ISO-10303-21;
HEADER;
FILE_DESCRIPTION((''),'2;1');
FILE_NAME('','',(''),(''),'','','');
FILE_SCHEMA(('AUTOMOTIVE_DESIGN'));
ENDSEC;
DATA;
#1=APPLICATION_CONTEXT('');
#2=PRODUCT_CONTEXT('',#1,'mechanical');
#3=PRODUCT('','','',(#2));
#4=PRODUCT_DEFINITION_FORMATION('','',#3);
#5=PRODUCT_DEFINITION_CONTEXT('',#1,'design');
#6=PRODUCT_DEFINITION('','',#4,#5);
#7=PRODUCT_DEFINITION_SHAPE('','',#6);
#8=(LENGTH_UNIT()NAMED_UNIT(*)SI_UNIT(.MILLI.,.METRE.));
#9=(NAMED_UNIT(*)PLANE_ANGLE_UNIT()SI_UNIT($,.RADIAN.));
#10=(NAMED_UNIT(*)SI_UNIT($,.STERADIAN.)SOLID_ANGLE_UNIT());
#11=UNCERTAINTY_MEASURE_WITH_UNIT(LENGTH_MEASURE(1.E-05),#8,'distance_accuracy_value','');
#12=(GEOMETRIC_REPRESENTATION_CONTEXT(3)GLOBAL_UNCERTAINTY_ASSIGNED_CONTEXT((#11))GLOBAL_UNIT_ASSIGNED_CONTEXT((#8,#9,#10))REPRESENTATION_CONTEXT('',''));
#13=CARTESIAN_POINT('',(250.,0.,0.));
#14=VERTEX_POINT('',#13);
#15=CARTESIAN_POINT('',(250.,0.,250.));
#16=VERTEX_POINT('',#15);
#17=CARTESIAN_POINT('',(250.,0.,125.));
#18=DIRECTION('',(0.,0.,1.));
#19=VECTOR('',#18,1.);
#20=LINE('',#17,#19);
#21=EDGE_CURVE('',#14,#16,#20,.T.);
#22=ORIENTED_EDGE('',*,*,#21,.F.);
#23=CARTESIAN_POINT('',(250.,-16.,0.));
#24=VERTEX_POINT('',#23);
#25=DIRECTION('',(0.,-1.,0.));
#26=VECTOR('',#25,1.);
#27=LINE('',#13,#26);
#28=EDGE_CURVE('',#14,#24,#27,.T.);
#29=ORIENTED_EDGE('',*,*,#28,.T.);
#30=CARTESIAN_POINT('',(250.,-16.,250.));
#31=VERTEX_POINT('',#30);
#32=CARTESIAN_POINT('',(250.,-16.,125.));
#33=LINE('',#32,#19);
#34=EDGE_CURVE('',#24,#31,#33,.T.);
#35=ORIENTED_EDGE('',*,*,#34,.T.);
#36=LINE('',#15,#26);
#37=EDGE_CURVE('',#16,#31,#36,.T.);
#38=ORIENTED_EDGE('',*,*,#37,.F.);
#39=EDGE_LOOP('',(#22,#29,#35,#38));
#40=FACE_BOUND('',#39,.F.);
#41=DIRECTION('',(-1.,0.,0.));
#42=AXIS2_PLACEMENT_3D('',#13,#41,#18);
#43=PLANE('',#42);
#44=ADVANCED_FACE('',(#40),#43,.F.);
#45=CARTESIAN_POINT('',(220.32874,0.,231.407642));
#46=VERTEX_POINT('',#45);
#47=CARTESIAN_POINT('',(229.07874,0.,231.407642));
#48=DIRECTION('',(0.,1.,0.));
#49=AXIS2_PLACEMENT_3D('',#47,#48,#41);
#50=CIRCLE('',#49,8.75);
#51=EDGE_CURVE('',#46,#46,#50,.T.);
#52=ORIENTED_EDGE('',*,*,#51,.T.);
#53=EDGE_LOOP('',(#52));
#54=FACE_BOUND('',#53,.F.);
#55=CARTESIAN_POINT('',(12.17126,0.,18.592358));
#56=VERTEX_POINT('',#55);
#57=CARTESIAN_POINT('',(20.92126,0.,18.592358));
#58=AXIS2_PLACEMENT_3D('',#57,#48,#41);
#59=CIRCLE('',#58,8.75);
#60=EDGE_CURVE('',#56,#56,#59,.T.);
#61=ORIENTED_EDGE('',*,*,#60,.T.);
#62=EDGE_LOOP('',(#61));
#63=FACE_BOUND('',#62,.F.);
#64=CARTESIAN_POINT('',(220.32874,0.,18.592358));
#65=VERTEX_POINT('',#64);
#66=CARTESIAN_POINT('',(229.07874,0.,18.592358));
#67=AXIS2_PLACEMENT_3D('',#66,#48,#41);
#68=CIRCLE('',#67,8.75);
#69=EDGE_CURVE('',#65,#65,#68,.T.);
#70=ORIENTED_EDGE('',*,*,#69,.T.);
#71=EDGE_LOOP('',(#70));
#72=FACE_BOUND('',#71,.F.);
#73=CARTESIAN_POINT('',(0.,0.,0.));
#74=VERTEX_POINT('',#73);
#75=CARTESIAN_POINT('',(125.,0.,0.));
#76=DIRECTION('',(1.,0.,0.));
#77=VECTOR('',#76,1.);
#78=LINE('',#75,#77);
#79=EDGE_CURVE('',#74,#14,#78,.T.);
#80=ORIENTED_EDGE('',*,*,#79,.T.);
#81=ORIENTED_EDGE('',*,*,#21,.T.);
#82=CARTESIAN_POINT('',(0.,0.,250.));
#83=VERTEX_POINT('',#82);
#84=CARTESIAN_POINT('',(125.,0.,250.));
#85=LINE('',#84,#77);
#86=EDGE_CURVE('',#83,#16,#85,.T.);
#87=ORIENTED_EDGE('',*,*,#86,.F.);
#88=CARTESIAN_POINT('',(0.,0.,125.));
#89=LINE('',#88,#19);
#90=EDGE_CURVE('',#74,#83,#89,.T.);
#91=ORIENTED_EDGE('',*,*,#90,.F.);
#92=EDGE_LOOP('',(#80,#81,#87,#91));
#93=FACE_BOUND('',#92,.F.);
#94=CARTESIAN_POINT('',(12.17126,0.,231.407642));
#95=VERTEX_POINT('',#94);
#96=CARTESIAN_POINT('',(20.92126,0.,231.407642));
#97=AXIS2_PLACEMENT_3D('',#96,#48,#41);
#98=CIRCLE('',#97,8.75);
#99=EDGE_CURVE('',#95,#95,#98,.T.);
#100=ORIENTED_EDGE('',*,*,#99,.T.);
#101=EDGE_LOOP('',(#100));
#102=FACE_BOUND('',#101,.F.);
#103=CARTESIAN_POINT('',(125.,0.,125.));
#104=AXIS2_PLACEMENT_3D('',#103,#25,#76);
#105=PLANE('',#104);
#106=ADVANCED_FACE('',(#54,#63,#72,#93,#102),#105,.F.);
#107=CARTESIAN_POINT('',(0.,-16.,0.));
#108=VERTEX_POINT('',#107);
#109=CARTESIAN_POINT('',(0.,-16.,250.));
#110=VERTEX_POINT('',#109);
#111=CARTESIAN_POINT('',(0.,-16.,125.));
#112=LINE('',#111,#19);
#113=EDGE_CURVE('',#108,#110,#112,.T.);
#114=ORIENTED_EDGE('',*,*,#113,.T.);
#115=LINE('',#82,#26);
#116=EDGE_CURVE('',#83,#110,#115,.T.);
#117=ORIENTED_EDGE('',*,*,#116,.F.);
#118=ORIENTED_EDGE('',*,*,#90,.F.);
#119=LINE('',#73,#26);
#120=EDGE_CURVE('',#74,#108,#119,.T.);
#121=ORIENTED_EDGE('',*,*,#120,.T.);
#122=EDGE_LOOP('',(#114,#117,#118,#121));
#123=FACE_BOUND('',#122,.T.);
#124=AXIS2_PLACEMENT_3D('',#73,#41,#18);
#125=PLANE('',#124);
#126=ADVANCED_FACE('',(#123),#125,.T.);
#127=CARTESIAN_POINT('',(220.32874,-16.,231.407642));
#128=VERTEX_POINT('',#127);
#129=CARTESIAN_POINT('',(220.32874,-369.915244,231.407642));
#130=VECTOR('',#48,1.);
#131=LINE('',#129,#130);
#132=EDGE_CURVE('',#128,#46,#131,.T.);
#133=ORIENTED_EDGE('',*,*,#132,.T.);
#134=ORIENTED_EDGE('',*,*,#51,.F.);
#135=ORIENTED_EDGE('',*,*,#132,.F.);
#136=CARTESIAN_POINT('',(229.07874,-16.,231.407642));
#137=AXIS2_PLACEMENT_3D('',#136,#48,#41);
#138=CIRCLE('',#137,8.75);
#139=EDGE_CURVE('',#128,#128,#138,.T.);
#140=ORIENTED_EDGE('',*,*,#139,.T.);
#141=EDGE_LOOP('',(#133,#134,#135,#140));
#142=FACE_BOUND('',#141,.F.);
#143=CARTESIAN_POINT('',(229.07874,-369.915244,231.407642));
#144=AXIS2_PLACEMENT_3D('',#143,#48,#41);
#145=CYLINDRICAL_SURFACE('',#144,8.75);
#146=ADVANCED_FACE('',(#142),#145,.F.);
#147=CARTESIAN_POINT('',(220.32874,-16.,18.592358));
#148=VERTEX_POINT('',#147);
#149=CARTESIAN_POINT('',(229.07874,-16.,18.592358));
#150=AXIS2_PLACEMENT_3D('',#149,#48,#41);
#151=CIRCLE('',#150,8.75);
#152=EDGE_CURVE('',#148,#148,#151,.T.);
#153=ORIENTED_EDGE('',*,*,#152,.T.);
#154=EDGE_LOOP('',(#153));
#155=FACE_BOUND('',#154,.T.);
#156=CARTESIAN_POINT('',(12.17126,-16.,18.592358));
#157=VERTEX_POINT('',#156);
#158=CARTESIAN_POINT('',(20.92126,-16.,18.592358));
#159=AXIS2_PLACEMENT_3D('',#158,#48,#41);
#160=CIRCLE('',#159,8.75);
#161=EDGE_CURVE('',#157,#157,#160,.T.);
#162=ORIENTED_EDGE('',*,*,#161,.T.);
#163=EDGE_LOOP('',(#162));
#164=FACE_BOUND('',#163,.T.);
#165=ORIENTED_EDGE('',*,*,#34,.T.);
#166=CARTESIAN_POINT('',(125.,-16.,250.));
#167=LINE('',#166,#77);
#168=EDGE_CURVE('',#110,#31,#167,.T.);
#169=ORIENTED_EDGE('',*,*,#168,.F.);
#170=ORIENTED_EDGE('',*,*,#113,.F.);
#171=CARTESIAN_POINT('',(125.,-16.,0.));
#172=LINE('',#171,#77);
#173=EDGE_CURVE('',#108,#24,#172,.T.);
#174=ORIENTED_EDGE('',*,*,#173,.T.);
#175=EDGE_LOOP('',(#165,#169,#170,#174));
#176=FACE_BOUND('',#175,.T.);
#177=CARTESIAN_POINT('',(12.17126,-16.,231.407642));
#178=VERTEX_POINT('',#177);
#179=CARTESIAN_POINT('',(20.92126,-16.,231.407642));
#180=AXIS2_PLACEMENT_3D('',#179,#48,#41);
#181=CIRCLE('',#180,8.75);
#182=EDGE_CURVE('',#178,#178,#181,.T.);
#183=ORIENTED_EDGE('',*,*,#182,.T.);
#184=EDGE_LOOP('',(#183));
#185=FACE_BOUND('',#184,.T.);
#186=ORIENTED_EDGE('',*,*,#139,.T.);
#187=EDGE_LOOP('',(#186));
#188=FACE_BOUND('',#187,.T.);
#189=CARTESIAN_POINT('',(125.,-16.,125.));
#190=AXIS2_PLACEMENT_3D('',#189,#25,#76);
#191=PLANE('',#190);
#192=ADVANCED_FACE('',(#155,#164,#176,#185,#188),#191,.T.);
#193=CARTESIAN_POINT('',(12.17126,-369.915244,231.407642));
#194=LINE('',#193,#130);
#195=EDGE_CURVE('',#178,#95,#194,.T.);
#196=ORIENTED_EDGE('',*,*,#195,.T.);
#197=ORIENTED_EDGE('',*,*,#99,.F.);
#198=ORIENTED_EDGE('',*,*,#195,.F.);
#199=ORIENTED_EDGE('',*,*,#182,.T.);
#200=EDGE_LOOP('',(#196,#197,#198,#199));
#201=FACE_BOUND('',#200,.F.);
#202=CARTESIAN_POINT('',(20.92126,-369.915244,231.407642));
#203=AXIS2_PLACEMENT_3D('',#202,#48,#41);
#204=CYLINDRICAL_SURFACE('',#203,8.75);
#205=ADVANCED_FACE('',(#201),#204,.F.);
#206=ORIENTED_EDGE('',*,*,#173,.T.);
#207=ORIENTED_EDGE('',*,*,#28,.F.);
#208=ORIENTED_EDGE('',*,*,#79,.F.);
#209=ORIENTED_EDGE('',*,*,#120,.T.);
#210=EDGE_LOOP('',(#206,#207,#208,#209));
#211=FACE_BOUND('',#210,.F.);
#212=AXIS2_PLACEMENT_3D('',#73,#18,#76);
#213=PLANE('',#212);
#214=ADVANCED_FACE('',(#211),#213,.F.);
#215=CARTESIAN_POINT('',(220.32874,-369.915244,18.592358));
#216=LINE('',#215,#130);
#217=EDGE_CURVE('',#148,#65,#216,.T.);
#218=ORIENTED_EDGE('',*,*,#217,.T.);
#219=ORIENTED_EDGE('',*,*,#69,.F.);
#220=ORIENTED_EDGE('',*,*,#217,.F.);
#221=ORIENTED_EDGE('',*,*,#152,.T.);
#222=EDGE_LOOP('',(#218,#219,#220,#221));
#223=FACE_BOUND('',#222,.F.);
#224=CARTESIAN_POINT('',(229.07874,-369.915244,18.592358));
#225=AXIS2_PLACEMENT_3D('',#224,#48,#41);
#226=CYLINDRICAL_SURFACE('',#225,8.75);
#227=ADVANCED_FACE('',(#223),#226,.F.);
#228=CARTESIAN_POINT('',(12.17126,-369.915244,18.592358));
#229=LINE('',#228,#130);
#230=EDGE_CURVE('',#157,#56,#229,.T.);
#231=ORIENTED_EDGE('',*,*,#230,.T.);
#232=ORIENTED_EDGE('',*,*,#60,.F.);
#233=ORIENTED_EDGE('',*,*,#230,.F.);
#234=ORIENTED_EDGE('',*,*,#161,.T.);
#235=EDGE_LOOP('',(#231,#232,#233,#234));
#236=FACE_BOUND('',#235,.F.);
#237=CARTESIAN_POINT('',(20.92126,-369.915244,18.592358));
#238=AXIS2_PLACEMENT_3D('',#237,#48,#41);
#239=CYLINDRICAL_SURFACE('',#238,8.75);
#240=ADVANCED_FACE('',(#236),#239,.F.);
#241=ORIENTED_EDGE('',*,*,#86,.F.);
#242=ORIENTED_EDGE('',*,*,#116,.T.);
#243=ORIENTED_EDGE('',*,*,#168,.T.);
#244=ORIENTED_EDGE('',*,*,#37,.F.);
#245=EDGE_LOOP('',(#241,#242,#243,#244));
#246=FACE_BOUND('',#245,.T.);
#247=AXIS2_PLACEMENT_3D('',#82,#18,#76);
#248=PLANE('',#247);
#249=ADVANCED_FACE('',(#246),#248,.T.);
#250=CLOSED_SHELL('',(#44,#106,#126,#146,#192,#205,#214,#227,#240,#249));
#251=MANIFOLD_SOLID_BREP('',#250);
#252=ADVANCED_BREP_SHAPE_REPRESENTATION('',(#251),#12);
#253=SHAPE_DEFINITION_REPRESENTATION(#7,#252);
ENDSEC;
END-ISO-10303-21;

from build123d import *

# Parameters (mm, degrees)
F0_W     = 250
F0_H     = 250
F1_DEPTH = 16
F3_D     = 17.5


with BuildPart() as f1:
    # F0 (on Front) → F1 (new body)
    with BuildSketch(Plane.XZ):
        with Locations((125, 125)):
            Rectangle(F0_W, F0_H)
    extrude(amount=F1_DEPTH)

    # F3 (through all)
    with Locations(Plane.XZ.offset(16)):
        with Locations((20.9212601185, 231.4076423645), (20.9212601185, 18.5923576355), (229.0787398815, 18.5923576355), (229.0787398815, 231.4076423645)):
            Hole(F3_D / 2)


solid = f1.part
